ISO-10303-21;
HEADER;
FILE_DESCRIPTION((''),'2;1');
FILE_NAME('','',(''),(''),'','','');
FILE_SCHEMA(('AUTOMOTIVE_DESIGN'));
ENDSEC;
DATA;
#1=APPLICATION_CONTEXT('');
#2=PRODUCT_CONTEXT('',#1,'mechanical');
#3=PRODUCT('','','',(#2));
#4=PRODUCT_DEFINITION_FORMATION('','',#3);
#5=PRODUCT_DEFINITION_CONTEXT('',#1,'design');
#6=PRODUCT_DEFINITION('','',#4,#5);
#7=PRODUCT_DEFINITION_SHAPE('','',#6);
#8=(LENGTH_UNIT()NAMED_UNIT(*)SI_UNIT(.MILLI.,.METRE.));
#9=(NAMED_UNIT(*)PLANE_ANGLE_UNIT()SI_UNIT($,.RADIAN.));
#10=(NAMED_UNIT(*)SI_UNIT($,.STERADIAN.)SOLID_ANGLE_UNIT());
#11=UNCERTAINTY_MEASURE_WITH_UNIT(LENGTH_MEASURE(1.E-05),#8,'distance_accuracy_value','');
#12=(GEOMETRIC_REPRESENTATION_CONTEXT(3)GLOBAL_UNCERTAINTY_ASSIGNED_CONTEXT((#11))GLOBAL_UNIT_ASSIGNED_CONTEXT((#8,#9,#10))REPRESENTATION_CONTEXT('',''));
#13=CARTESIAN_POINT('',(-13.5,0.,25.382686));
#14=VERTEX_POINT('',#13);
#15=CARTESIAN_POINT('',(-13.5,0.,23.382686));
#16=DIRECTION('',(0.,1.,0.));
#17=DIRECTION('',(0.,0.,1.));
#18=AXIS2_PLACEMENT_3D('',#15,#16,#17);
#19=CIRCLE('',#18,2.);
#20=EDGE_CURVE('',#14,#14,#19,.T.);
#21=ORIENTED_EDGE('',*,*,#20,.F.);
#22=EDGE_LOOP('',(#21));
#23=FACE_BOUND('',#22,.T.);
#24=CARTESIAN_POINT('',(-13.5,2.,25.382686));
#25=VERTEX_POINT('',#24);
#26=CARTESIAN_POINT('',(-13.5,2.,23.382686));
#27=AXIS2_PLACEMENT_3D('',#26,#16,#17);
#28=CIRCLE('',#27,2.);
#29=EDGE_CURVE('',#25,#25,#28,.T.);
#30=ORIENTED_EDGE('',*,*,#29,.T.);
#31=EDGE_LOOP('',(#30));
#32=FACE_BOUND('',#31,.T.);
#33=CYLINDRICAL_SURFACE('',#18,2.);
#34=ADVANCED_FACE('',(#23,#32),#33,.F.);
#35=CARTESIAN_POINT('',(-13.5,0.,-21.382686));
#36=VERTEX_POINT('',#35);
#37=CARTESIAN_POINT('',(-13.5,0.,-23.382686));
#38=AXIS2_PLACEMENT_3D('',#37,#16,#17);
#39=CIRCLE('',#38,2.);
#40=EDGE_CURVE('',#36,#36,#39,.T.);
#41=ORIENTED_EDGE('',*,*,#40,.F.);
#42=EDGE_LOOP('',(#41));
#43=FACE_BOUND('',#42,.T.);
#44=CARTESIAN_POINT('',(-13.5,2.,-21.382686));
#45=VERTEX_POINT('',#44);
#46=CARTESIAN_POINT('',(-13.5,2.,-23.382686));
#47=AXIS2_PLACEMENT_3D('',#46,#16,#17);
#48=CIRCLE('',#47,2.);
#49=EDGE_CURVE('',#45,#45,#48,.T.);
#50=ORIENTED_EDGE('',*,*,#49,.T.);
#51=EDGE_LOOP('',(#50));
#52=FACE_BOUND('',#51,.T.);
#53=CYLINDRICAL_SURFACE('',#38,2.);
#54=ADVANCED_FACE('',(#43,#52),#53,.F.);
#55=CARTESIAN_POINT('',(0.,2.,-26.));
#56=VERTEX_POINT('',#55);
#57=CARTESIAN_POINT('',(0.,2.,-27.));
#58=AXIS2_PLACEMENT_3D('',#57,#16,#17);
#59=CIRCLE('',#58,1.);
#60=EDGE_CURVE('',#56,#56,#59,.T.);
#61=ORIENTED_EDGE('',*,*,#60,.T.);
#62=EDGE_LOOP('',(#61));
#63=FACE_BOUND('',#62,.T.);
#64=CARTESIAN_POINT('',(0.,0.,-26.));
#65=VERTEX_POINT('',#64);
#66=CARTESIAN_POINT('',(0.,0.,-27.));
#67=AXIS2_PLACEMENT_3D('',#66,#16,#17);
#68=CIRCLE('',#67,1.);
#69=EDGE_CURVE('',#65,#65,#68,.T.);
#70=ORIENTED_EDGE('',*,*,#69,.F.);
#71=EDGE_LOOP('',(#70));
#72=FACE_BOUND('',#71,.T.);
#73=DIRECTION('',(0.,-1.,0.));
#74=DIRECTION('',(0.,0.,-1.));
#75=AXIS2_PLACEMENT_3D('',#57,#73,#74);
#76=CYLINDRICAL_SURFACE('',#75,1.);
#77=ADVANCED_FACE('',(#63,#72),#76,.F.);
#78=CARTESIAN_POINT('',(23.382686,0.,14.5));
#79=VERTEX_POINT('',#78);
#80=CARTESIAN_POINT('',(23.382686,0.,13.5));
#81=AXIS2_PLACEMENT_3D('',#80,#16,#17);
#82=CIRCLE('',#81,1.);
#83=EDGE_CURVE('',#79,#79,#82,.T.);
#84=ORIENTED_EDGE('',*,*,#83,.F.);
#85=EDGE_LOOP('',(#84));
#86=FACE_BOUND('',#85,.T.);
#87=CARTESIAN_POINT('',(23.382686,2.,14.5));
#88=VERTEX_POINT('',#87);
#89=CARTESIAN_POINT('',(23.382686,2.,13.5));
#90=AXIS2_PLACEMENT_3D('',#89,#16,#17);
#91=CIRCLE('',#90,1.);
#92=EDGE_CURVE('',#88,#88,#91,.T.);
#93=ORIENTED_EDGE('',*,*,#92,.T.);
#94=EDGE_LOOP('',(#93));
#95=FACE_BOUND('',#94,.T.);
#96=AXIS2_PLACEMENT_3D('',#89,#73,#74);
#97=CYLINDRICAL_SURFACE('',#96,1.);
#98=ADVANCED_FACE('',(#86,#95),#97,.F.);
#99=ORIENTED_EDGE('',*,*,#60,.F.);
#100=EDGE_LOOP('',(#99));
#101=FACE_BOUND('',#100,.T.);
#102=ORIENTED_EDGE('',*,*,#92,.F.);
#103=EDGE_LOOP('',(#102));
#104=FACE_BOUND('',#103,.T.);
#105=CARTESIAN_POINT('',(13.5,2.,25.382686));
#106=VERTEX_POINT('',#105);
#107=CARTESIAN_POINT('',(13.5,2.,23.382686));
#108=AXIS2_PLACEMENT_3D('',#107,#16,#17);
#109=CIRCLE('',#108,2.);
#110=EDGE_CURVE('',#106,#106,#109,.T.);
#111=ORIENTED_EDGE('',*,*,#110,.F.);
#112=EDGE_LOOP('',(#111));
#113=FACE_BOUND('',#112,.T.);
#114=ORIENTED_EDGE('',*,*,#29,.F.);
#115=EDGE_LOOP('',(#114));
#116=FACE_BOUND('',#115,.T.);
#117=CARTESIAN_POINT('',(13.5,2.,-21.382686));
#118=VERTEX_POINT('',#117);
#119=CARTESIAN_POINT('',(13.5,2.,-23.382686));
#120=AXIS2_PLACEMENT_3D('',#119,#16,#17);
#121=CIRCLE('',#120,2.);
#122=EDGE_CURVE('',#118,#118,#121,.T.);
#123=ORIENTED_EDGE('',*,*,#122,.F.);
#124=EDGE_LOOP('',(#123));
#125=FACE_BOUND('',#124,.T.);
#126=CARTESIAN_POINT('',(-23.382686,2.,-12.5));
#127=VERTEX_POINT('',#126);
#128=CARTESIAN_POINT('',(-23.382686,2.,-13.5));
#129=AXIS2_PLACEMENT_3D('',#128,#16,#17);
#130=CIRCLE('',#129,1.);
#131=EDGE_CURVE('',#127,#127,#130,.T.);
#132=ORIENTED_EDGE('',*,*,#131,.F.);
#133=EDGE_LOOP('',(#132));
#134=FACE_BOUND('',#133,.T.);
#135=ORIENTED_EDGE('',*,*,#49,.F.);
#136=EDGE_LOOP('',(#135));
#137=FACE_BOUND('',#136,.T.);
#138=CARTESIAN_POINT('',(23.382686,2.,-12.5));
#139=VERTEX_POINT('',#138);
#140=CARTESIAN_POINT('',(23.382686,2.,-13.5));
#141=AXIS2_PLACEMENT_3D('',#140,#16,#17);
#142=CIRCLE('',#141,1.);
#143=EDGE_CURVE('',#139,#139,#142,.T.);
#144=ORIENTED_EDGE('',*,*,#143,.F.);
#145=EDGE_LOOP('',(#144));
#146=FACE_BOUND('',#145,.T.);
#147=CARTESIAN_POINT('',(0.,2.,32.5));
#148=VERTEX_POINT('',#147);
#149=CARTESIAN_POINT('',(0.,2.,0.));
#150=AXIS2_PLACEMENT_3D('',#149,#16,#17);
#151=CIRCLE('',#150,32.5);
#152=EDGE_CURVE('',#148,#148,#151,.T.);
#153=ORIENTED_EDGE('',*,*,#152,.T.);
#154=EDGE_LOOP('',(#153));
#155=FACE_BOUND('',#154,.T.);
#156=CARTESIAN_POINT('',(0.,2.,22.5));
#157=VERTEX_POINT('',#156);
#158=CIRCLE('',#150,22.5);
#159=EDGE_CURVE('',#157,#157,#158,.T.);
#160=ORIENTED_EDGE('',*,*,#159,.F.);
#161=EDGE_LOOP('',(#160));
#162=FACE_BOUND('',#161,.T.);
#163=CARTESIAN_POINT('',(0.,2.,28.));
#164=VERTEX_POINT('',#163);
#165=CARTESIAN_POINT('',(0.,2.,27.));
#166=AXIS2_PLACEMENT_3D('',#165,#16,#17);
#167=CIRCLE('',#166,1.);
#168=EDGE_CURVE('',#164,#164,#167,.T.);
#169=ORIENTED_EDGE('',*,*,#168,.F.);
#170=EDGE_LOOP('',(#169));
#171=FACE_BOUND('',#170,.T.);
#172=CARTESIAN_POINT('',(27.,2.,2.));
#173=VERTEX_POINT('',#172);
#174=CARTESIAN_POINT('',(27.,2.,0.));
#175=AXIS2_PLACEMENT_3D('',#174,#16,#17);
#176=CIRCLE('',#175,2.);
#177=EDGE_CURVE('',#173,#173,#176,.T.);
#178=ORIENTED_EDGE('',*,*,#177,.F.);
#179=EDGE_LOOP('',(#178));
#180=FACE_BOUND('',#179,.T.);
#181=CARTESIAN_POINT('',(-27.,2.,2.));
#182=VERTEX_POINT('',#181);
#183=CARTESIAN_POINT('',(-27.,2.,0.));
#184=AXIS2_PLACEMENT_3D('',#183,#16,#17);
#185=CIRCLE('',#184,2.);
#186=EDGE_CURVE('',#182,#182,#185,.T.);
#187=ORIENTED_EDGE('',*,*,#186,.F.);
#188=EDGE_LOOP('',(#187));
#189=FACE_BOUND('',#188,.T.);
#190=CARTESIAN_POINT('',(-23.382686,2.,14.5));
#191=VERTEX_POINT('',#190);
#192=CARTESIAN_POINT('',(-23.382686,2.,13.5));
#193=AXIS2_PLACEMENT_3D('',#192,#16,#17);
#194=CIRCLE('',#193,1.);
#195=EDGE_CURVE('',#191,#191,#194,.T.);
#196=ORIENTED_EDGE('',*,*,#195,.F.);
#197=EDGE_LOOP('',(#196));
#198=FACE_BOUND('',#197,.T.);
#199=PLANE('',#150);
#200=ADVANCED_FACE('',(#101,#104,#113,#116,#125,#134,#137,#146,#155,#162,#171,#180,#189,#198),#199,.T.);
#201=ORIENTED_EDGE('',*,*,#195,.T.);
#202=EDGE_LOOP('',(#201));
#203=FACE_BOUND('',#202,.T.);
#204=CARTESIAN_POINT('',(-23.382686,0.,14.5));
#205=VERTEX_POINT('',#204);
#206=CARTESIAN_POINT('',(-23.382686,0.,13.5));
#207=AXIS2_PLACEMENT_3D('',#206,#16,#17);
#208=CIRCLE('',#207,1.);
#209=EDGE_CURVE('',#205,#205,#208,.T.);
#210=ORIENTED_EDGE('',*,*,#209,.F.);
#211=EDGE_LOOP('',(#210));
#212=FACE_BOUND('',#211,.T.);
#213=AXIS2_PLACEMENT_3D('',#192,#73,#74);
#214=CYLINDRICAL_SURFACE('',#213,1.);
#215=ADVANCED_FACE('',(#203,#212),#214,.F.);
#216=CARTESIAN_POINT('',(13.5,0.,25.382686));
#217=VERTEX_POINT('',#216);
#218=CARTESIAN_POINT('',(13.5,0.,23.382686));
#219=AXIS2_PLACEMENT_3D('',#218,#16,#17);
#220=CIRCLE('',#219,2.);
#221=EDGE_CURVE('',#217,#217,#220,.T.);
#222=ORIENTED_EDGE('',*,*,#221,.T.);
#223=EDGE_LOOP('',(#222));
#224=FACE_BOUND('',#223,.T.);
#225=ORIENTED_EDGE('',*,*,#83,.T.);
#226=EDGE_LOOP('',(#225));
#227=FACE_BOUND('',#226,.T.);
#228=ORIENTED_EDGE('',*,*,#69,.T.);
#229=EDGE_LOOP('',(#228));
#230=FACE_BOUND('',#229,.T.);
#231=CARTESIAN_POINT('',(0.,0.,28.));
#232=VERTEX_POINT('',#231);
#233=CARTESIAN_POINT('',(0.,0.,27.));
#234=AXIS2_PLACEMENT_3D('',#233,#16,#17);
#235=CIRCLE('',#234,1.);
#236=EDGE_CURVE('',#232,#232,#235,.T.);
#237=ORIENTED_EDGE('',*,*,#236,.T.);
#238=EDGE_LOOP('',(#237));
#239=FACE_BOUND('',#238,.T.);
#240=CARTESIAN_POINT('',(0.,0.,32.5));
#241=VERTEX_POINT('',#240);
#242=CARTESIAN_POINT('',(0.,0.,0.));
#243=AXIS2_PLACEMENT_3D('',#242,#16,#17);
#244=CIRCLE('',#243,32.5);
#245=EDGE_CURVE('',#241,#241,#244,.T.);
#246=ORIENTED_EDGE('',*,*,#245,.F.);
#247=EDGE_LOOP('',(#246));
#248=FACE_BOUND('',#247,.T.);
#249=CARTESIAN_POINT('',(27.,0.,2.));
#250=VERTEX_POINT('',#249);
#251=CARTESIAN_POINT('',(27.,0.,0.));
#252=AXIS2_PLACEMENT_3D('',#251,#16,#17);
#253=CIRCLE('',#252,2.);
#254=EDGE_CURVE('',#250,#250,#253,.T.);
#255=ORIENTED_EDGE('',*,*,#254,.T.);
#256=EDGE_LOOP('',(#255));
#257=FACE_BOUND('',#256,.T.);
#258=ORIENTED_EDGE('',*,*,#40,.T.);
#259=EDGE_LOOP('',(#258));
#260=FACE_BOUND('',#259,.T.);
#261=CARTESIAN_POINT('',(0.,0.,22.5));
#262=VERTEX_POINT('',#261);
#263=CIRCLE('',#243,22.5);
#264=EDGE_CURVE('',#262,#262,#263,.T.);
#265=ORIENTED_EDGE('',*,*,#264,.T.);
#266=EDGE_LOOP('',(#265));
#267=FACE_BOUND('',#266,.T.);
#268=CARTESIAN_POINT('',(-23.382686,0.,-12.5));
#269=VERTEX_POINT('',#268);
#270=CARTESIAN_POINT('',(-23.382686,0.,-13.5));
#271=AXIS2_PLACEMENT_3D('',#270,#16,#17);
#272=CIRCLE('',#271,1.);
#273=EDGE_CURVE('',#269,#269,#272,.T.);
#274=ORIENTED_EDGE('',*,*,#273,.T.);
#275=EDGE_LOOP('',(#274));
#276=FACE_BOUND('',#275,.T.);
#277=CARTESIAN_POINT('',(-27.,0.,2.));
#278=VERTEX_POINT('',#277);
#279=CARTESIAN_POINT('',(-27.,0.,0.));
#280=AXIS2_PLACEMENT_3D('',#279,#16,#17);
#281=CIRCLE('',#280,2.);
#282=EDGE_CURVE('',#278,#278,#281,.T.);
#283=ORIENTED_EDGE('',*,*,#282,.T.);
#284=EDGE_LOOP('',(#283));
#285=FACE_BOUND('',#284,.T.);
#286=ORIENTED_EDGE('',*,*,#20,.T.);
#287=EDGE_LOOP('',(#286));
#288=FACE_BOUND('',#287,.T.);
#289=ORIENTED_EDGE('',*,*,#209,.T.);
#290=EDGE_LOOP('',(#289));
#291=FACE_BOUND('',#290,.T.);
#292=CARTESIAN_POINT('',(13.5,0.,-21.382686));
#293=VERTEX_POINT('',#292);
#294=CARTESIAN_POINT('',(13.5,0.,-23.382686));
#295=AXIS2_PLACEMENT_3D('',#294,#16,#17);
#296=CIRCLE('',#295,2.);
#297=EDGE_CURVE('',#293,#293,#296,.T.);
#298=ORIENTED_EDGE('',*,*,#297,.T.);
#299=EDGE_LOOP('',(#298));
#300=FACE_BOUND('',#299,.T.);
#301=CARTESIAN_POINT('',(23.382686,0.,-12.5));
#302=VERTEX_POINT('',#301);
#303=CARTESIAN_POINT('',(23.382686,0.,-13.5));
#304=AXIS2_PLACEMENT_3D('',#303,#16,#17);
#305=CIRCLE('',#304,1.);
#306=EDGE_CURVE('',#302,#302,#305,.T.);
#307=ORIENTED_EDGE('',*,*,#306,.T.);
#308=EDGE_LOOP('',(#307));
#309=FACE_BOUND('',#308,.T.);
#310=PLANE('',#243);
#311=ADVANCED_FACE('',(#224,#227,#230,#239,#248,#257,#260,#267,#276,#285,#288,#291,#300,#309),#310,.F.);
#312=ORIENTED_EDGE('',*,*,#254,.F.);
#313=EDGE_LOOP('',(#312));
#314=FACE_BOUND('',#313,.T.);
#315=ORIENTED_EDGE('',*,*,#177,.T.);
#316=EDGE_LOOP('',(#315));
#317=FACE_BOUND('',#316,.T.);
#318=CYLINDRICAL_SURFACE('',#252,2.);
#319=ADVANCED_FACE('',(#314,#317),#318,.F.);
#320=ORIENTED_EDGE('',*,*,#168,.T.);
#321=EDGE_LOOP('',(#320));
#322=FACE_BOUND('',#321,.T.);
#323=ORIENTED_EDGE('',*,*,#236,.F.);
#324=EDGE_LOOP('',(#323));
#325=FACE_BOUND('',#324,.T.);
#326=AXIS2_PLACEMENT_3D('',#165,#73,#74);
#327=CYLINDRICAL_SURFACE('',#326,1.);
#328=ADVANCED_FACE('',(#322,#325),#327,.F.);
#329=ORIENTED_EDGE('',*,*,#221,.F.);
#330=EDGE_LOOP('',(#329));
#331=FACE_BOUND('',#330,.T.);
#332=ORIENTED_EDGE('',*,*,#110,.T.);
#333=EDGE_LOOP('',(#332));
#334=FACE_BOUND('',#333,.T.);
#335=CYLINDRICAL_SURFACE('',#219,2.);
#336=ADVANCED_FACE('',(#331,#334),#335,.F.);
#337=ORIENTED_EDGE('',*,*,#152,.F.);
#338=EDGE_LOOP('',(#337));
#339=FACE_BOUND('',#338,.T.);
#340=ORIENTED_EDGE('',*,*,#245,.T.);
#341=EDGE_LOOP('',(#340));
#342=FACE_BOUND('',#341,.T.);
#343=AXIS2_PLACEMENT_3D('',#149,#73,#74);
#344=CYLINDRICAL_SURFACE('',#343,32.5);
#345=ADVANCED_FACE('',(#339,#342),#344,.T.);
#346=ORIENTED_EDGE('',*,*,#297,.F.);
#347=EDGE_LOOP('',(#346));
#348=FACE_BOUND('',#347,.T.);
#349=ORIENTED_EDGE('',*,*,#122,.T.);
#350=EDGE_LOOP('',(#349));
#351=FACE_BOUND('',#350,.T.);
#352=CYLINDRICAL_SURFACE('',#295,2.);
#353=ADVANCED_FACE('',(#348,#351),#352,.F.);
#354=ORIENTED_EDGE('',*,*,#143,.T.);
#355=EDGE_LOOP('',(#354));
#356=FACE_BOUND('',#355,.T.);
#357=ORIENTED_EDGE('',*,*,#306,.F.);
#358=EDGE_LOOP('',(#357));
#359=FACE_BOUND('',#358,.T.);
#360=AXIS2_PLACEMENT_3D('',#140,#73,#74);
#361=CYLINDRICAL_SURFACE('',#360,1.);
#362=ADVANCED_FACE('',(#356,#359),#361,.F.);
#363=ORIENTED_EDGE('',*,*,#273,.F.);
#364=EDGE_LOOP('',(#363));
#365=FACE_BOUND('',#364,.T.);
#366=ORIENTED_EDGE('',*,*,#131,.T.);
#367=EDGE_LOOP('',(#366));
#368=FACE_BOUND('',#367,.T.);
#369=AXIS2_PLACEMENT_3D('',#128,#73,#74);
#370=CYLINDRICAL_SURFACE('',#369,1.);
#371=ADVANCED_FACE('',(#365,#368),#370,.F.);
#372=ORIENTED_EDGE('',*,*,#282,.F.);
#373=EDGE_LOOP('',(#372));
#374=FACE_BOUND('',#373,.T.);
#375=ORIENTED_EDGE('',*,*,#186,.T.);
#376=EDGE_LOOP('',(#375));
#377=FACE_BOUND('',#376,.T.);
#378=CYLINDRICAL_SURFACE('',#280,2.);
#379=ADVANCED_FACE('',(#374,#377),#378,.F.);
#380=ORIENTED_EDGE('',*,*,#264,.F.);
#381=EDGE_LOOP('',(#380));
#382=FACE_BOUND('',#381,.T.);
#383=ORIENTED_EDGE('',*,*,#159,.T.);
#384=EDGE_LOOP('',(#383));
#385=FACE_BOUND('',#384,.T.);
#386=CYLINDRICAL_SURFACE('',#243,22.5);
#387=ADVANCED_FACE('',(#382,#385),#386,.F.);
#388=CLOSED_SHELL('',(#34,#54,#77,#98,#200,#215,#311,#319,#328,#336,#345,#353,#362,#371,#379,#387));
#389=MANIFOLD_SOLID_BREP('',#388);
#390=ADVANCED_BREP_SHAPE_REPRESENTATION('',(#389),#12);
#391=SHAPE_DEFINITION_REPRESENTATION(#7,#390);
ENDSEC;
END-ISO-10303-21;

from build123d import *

# Parameters (mm, degrees)
SKETCH1_R           = 32.5
SKETCH1_R_2         = 1
BOSS_EXTRUDE1_DEPTH = 2
SKETCH2_R           = 22.5
SKETCH2_R_2         = 2
CUT_EXTRUDE1_DEPTH  = 47.005434462


with BuildPart() as part:
    # Sketch1 → Boss-Extrude1 (new body)
    with BuildSketch(Plane(origin=(0, 0, 0), x_dir=(1, 0, 0), z_dir=(0, 1, 0))):
        with Locations(Location((0, 0, 0), (0, 0, 270))):
            Circle(SKETCH1_R)
        with Locations(Location((0, 27, 0), (0, 0, 270))):
            Circle(SKETCH1_R_2, mode=Mode.SUBTRACT)
        with Locations(Location((23.382685902, 13.5, 0), (0, 0, 270))):
            Circle(SKETCH1_R_2, mode=Mode.SUBTRACT)
        with Locations(Location((23.382685902, -13.5, 0), (0, 0, 270))):
            Circle(SKETCH1_R_2, mode=Mode.SUBTRACT)
        with Locations(Location((0, -27, 0), (0, 0, 270))):
            Circle(SKETCH1_R_2, mode=Mode.SUBTRACT)
        with Locations(Location((-23.382685902, -13.5, 0), (0, 0, 270))):
            Circle(SKETCH1_R_2, mode=Mode.SUBTRACT)
        with Locations(Location((-23.382685902, 13.5, 0), (0, 0, 270))):
            Circle(SKETCH1_R_2, mode=Mode.SUBTRACT)
    extrude(amount=BOSS_EXTRUDE1_DEPTH)

    # Sketch2 → Cut-Extrude1 (cut, through all)
    with BuildSketch(Plane(origin=(0, 2, 0), x_dir=(1, 0, 0), z_dir=(0, 1, 0))):
        with Locations(Location((0, 0, 0), (0, 0, 270))):
            Circle(SKETCH2_R)
        with Locations(Location((-13.5, 23.382685902, 0), (0, 0, 270))):
            Circle(SKETCH2_R_2)
        with Locations(Location((13.5, 23.382685902, 0), (0, 0, 270))):
            Circle(SKETCH2_R_2)
        with Locations(Location((27, 0, 0), (0, 0, 270))):
            Circle(SKETCH2_R_2)
        with Locations(Location((13.5, -23.382685902, 0), (0, 0, 270))):
            Circle(SKETCH2_R_2)
        with Locations(Location((-13.5, -23.382685902, 0), (0, 0, 270))):
            Circle(SKETCH2_R_2)
        with Locations(Location((-27, 0, 0), (0, 0, 270))):
            Circle(SKETCH2_R_2)
    extrude(amount=-CUT_EXTRUDE1_DEPTH, mode=Mode.SUBTRACT)


solid = part.part
